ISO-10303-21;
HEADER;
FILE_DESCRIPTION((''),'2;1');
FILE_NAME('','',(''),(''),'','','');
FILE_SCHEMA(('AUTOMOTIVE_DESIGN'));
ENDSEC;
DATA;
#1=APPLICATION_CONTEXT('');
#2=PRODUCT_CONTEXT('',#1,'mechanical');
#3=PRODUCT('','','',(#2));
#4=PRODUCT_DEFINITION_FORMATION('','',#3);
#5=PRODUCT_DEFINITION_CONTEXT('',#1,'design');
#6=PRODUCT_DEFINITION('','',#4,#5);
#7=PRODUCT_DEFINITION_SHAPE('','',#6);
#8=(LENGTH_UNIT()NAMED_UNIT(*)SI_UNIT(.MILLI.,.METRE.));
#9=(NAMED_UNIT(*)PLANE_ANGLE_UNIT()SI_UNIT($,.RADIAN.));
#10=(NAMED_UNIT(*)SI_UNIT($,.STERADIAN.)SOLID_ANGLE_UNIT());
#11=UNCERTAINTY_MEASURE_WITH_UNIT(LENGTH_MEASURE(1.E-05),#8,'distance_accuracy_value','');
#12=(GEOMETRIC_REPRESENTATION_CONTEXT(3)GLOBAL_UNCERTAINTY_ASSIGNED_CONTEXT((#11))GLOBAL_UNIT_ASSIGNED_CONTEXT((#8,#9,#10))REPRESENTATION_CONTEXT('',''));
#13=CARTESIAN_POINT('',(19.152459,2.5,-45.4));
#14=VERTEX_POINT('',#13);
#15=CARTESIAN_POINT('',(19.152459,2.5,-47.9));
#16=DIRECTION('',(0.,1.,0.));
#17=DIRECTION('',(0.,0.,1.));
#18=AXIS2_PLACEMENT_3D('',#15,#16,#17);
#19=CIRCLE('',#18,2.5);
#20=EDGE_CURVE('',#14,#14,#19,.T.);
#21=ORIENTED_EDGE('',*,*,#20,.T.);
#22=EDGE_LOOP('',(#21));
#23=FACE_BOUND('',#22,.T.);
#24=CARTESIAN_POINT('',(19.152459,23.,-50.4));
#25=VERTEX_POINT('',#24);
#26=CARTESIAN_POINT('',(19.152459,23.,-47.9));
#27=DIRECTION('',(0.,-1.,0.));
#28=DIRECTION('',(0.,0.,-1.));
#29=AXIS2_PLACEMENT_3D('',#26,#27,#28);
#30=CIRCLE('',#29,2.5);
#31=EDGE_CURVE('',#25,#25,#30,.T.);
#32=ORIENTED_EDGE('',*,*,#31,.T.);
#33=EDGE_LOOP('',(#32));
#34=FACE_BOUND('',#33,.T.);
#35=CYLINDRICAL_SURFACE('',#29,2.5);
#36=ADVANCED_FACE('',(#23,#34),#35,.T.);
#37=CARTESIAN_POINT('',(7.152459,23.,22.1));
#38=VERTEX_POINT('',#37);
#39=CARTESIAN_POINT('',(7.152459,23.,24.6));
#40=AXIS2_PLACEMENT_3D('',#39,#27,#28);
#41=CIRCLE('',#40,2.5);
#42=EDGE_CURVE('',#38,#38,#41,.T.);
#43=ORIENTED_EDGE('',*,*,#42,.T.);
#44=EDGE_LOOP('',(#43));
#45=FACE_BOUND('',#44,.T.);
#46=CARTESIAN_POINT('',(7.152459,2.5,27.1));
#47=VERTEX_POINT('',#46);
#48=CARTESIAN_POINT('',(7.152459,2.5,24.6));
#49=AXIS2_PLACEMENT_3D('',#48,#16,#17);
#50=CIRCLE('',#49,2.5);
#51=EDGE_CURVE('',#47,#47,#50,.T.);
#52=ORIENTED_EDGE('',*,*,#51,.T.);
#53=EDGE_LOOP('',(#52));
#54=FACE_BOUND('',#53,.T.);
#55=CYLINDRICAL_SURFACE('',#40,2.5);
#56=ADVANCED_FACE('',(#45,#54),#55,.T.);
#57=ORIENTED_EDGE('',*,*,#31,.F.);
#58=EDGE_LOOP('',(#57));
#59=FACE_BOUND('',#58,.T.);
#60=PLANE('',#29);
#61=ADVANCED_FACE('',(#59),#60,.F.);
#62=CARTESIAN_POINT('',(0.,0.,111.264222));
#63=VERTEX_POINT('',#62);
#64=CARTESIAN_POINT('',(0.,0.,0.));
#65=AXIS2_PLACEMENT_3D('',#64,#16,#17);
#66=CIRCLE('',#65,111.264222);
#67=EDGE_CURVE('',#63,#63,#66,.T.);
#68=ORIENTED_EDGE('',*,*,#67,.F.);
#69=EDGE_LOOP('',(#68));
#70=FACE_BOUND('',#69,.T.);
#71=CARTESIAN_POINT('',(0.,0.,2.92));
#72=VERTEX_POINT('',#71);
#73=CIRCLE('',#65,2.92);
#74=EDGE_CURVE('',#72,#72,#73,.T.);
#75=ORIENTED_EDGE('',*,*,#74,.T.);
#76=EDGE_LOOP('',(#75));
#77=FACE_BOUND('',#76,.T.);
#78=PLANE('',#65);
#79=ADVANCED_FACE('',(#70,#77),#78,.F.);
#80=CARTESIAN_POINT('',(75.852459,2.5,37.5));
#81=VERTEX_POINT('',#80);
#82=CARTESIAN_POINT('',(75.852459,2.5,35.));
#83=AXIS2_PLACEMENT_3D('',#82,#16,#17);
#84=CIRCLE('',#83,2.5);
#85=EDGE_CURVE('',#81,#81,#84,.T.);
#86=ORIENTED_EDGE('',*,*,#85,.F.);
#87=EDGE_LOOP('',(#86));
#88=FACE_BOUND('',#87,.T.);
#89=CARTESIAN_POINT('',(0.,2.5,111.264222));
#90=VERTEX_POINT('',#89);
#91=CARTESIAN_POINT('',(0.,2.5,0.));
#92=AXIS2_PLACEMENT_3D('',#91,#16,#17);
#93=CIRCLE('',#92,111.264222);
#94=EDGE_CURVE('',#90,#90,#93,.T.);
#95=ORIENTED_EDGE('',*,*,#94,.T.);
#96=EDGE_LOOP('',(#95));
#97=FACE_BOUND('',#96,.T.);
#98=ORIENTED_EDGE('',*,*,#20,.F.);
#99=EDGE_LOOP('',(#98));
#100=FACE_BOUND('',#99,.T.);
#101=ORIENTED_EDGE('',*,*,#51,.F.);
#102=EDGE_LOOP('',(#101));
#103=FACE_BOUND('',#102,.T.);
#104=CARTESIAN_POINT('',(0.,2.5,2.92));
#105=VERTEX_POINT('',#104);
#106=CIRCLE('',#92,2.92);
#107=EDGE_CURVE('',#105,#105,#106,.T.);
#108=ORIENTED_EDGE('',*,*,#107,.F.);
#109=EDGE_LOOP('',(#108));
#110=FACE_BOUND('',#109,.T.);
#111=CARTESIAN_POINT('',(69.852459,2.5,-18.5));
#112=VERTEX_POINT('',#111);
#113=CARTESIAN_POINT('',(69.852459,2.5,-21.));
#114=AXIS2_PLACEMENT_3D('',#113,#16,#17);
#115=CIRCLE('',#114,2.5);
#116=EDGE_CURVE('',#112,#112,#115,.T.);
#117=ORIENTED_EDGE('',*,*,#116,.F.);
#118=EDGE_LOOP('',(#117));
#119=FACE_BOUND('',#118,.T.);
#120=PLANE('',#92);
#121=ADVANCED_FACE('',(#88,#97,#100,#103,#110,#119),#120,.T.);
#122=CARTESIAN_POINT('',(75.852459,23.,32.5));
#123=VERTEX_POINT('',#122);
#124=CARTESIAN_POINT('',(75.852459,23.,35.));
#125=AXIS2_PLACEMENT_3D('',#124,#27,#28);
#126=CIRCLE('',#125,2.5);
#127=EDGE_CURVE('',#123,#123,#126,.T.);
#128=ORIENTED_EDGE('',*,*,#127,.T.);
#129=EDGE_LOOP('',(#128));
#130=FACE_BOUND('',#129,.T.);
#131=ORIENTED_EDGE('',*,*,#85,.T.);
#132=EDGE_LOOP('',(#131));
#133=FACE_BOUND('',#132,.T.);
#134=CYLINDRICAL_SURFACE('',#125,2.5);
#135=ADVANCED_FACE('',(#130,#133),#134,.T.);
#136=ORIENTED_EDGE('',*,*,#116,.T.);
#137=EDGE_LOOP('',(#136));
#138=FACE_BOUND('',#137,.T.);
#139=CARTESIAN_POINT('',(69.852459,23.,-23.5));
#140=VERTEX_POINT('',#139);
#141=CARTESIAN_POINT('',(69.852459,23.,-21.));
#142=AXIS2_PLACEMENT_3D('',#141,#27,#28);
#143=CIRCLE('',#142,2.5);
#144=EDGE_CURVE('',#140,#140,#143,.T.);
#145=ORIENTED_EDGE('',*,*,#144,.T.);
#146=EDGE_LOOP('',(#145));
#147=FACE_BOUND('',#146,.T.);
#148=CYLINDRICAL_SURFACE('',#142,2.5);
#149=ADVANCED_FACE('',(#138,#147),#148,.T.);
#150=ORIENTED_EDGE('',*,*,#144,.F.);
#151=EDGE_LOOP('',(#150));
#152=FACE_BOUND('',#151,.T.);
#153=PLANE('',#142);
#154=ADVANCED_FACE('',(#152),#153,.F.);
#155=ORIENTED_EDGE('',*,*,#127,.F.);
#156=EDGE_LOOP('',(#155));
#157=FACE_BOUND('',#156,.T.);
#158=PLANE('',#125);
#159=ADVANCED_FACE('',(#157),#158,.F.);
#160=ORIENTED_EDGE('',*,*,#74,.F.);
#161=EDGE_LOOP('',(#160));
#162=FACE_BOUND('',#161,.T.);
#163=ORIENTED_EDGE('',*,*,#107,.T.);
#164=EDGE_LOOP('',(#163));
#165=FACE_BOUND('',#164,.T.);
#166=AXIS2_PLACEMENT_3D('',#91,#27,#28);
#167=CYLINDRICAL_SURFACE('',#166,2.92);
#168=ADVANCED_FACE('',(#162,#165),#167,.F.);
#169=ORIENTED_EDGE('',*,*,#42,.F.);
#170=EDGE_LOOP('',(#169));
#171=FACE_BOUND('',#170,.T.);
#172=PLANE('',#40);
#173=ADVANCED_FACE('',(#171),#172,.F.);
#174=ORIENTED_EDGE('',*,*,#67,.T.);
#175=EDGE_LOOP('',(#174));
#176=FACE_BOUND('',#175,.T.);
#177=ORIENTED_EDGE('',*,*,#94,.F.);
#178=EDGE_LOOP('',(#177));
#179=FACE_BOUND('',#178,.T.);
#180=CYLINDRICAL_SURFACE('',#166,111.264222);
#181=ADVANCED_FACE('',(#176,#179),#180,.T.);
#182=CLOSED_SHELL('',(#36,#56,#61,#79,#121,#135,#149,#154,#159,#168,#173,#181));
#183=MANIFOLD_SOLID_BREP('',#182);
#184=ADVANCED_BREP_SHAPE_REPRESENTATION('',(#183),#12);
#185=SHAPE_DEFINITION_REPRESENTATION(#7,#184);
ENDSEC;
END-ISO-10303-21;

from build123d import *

# Parameters (mm, degrees)
SKETCH1_R            = 111.264222233
SKETCH1_R_2          = 2.92
SKETCH1_R_3          = 2.5
BOSS_EXTRUDE12_DEPTH = 2.5
SKETCH5_R            = 2.5
BOSS_EXTRUDE15_DEPTH = 23
SKETCH6_R            = 2.5
BOSS_EXTRUDE16_DEPTH = 23
SKETCH7_R            = 2.5
BOSS_EXTRUDE17_DEPTH = 23
SKETCH3_R            = 2.5
BOSS_EXTRUDE18_DEPTH = 23


with BuildPart() as part:
    # Sketch1 → Boss-Extrude12 (new body)
    with BuildSketch(Plane(origin=(0, 0, 0), x_dir=(1, 0, 0), z_dir=(0, 1, 0))):
        Circle(SKETCH1_R)
        Circle(SKETCH1_R_2, mode=Mode.SUBTRACT)
        with Locations((75.852459016, -35)):
            Circle(SKETCH1_R_3, mode=Mode.SUBTRACT)
        with Locations((69.852459016, 21)):
            Circle(SKETCH1_R_3, mode=Mode.SUBTRACT)
        with Locations((19.152459016, 47.9)):
            Circle(SKETCH1_R_3, mode=Mode.SUBTRACT)
        with Locations((7.152459016, -24.6)):
            Circle(SKETCH1_R_3, mode=Mode.SUBTRACT)
    extrude(amount=BOSS_EXTRUDE12_DEPTH)

    # Sketch5 → Boss-Extrude15 (add)
    with BuildSketch(Plane(origin=(0, 0, 0), x_dir=(-1, 0, 0), z_dir=(0, -1, 0))):
        with Locations((-19.152459016, 47.9)):
            Circle(SKETCH5_R)
    extrude(amount=-BOSS_EXTRUDE15_DEPTH)

    # Sketch6 → Boss-Extrude16 (add)
    with BuildSketch(Plane(origin=(0, 0, 0), x_dir=(-1, 0, 0), z_dir=(0, -1, 0))):
        with Locations((-69.852459016, 21)):
            Circle(SKETCH6_R)
    extrude(amount=-BOSS_EXTRUDE16_DEPTH)

    # Sketch7 → Boss-Extrude17 (add)
    with BuildSketch(Plane(origin=(0, 0, 0), x_dir=(-1, 0, 0), z_dir=(0, -1, 0))):
        with Locations((-75.852459016, -35)):
            Circle(SKETCH7_R)
    extrude(amount=-BOSS_EXTRUDE17_DEPTH)

    # Sketch3 → Boss-Extrude18 (add)
    with BuildSketch(Plane(origin=(0, 0, 0), x_dir=(-1, 0, 0), z_dir=(0, -1, 0))):
        with Locations((-7.152459016, -24.6)):
            Circle(SKETCH3_R)
    extrude(amount=-BOSS_EXTRUDE18_DEPTH)


solid = part.part
